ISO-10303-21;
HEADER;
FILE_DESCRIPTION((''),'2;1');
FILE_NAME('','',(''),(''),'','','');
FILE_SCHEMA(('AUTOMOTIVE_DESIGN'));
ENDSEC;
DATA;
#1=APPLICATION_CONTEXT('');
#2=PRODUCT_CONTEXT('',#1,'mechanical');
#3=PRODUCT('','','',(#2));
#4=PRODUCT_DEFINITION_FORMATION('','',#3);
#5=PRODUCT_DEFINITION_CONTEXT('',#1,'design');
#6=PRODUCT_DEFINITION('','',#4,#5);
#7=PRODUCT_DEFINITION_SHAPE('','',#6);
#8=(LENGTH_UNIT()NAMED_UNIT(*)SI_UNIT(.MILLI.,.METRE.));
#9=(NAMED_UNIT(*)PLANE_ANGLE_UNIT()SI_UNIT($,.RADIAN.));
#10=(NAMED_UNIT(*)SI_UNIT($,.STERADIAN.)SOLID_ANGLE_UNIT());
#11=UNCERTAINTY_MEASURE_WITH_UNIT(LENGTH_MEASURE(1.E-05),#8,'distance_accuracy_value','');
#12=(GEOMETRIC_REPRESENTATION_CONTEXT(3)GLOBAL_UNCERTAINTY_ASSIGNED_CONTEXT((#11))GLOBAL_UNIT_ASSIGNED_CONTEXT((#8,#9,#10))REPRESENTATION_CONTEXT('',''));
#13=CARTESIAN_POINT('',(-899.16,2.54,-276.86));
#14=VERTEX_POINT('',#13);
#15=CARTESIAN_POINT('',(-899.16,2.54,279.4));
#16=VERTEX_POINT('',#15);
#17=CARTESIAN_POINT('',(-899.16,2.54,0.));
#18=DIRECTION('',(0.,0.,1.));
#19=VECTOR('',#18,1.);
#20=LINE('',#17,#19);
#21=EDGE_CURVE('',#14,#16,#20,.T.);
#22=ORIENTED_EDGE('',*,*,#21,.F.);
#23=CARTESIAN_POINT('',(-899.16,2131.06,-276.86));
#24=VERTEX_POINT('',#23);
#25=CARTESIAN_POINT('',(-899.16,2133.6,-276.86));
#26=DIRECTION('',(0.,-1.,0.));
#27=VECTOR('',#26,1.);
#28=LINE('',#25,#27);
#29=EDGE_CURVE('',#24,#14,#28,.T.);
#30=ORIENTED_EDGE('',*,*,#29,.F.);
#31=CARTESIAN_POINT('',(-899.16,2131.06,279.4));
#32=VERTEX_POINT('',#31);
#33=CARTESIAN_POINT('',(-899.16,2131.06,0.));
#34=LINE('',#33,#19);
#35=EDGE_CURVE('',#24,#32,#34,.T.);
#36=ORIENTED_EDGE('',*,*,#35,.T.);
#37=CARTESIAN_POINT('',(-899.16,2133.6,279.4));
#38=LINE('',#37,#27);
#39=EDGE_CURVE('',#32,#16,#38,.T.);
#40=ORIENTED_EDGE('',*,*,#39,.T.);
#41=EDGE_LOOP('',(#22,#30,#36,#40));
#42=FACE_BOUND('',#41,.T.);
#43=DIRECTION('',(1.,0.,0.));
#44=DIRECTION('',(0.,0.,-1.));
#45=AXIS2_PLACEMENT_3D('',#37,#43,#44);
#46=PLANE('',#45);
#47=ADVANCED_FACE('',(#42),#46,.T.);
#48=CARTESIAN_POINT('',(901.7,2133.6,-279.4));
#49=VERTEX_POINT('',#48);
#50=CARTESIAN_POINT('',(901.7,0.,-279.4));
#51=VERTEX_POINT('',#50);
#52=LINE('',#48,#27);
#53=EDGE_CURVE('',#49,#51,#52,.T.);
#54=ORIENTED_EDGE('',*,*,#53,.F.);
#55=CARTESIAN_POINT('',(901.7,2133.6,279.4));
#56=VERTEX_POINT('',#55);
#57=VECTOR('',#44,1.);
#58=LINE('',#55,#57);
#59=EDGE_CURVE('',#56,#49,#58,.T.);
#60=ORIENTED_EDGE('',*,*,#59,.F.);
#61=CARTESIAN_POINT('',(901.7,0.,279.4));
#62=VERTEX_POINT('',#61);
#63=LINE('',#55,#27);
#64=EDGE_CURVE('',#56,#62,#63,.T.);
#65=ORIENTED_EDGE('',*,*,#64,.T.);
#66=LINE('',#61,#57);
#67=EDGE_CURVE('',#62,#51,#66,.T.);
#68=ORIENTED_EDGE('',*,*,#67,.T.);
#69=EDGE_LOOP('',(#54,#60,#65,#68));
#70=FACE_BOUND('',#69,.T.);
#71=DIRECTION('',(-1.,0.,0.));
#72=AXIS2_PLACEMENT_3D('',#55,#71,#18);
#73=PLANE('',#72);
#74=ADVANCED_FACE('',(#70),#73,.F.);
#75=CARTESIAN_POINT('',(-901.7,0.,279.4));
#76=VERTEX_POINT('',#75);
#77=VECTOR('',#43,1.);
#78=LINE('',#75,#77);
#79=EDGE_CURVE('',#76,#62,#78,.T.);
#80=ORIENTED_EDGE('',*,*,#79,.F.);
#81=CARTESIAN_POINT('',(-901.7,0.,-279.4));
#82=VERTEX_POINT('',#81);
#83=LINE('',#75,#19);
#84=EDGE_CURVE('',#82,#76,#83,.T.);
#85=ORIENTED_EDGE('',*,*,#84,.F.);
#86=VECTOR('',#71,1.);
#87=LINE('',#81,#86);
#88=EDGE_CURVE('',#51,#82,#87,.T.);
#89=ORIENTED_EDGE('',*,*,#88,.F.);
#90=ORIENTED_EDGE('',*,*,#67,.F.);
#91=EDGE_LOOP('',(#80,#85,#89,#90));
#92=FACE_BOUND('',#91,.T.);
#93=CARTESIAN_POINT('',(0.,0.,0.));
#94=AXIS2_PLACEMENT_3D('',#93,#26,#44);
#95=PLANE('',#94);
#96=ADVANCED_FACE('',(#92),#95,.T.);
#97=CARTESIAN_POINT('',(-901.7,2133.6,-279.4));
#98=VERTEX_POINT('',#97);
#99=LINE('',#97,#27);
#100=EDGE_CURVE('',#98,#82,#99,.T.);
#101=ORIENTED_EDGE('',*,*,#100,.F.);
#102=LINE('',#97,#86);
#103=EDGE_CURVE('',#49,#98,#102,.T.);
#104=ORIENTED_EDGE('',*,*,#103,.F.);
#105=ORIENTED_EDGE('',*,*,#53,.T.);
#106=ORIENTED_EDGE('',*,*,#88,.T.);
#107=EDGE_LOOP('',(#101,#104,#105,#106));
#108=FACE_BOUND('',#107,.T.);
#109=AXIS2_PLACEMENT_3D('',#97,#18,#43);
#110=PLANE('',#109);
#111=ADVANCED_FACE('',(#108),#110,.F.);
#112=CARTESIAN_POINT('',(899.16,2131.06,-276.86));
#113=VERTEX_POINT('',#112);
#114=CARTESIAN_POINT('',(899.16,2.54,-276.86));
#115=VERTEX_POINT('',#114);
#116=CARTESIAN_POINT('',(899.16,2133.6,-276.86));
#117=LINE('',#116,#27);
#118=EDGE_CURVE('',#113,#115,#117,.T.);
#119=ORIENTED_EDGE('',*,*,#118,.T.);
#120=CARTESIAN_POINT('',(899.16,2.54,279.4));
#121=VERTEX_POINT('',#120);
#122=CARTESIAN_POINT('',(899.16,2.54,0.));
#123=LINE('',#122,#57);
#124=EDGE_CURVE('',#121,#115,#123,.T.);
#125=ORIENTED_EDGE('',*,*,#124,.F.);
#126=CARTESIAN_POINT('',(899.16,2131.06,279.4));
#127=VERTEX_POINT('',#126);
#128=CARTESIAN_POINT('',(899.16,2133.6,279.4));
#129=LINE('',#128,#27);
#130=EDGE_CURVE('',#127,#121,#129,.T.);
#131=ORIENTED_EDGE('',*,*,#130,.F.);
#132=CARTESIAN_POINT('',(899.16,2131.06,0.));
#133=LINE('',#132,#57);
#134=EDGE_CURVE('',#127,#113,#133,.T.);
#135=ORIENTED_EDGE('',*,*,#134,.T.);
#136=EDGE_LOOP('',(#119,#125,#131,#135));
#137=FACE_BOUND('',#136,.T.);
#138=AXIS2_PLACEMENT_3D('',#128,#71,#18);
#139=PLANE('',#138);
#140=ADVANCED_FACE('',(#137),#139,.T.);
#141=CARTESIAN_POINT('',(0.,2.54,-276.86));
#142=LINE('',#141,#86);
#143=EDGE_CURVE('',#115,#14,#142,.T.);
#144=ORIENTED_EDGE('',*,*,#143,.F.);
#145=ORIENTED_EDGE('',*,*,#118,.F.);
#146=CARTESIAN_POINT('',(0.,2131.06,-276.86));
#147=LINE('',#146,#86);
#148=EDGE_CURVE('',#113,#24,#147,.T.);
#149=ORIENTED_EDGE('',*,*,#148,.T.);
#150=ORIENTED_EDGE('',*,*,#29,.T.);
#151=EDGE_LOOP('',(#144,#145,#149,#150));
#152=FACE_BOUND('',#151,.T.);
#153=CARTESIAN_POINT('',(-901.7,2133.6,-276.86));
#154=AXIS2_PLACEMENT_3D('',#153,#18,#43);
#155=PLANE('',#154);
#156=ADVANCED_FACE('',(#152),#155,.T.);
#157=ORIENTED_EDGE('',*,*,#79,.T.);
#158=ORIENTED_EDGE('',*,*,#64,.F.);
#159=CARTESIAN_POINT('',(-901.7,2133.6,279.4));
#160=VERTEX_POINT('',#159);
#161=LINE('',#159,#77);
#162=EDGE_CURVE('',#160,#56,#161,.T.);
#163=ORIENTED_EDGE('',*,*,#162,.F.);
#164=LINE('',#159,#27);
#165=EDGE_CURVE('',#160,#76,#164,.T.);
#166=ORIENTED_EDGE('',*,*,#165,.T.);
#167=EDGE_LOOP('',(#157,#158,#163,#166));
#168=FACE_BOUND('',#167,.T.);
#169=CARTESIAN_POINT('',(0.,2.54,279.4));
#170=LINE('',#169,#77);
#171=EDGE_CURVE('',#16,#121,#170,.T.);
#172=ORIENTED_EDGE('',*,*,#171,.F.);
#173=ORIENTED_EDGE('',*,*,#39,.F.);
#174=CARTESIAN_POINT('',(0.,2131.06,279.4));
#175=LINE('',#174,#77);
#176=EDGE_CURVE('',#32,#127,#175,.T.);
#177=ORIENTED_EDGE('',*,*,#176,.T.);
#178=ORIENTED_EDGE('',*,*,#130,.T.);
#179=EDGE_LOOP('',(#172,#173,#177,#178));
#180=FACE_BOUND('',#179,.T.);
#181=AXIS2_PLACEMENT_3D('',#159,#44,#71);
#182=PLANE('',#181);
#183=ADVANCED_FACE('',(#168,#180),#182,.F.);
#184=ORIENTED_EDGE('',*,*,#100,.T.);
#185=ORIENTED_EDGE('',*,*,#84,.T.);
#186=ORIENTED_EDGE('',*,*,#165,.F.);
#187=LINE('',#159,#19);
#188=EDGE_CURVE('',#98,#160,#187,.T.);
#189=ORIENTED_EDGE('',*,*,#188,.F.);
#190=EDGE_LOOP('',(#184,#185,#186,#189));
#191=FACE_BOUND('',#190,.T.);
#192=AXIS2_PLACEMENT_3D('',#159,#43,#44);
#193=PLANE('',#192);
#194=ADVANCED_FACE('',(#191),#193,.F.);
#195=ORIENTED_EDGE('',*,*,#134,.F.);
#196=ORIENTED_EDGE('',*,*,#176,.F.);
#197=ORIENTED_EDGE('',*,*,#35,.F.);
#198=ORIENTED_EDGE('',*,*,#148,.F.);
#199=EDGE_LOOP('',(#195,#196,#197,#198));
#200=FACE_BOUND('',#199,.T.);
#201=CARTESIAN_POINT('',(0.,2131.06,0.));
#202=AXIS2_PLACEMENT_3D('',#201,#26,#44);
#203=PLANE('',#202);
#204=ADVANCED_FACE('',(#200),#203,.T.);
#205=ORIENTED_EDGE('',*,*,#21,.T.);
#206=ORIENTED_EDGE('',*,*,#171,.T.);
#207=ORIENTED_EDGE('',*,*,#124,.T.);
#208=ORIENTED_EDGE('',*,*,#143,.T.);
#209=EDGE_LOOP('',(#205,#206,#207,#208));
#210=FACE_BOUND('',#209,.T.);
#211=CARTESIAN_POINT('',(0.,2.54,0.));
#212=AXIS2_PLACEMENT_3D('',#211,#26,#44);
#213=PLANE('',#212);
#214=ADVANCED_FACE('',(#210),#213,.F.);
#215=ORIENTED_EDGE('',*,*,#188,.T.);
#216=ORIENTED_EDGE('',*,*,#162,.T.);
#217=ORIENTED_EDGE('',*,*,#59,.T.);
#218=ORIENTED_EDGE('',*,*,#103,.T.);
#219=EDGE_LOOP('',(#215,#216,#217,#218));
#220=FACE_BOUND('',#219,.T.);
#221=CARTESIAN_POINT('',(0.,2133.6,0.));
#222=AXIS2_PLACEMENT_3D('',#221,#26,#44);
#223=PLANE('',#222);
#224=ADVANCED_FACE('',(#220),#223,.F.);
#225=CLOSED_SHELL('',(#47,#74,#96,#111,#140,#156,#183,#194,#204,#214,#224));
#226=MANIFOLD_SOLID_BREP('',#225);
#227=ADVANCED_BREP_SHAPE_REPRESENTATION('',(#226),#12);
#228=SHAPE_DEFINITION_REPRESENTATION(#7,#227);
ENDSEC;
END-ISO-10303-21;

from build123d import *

# Parameters (mm, degrees)
SKETCH1_W           = 1803.4
SKETCH1_H           = 558.8
BOSS_EXTRUDE1_DEPTH = 2133.6
SHELL1_T            = -2.54


with BuildPart() as part:
    # Sketch1 → Boss-Extrude1 (new body)
    with BuildSketch(Plane(origin=(0, 0, 0), x_dir=(1, 0, 0), z_dir=(0, 1, 0))):
        Rectangle(SKETCH1_W, SKETCH1_H)
    extrude(amount=BOSS_EXTRUDE1_DEPTH)

    # Shell1
    shell1_openings = [part.faces().sort_by_distance(p)[0] for p in [
        (0, 1066.8, 279.4),
    ]]
    offset(amount=SHELL1_T, openings=shell1_openings, kind=Kind.INTERSECTION)


solid = part.part
